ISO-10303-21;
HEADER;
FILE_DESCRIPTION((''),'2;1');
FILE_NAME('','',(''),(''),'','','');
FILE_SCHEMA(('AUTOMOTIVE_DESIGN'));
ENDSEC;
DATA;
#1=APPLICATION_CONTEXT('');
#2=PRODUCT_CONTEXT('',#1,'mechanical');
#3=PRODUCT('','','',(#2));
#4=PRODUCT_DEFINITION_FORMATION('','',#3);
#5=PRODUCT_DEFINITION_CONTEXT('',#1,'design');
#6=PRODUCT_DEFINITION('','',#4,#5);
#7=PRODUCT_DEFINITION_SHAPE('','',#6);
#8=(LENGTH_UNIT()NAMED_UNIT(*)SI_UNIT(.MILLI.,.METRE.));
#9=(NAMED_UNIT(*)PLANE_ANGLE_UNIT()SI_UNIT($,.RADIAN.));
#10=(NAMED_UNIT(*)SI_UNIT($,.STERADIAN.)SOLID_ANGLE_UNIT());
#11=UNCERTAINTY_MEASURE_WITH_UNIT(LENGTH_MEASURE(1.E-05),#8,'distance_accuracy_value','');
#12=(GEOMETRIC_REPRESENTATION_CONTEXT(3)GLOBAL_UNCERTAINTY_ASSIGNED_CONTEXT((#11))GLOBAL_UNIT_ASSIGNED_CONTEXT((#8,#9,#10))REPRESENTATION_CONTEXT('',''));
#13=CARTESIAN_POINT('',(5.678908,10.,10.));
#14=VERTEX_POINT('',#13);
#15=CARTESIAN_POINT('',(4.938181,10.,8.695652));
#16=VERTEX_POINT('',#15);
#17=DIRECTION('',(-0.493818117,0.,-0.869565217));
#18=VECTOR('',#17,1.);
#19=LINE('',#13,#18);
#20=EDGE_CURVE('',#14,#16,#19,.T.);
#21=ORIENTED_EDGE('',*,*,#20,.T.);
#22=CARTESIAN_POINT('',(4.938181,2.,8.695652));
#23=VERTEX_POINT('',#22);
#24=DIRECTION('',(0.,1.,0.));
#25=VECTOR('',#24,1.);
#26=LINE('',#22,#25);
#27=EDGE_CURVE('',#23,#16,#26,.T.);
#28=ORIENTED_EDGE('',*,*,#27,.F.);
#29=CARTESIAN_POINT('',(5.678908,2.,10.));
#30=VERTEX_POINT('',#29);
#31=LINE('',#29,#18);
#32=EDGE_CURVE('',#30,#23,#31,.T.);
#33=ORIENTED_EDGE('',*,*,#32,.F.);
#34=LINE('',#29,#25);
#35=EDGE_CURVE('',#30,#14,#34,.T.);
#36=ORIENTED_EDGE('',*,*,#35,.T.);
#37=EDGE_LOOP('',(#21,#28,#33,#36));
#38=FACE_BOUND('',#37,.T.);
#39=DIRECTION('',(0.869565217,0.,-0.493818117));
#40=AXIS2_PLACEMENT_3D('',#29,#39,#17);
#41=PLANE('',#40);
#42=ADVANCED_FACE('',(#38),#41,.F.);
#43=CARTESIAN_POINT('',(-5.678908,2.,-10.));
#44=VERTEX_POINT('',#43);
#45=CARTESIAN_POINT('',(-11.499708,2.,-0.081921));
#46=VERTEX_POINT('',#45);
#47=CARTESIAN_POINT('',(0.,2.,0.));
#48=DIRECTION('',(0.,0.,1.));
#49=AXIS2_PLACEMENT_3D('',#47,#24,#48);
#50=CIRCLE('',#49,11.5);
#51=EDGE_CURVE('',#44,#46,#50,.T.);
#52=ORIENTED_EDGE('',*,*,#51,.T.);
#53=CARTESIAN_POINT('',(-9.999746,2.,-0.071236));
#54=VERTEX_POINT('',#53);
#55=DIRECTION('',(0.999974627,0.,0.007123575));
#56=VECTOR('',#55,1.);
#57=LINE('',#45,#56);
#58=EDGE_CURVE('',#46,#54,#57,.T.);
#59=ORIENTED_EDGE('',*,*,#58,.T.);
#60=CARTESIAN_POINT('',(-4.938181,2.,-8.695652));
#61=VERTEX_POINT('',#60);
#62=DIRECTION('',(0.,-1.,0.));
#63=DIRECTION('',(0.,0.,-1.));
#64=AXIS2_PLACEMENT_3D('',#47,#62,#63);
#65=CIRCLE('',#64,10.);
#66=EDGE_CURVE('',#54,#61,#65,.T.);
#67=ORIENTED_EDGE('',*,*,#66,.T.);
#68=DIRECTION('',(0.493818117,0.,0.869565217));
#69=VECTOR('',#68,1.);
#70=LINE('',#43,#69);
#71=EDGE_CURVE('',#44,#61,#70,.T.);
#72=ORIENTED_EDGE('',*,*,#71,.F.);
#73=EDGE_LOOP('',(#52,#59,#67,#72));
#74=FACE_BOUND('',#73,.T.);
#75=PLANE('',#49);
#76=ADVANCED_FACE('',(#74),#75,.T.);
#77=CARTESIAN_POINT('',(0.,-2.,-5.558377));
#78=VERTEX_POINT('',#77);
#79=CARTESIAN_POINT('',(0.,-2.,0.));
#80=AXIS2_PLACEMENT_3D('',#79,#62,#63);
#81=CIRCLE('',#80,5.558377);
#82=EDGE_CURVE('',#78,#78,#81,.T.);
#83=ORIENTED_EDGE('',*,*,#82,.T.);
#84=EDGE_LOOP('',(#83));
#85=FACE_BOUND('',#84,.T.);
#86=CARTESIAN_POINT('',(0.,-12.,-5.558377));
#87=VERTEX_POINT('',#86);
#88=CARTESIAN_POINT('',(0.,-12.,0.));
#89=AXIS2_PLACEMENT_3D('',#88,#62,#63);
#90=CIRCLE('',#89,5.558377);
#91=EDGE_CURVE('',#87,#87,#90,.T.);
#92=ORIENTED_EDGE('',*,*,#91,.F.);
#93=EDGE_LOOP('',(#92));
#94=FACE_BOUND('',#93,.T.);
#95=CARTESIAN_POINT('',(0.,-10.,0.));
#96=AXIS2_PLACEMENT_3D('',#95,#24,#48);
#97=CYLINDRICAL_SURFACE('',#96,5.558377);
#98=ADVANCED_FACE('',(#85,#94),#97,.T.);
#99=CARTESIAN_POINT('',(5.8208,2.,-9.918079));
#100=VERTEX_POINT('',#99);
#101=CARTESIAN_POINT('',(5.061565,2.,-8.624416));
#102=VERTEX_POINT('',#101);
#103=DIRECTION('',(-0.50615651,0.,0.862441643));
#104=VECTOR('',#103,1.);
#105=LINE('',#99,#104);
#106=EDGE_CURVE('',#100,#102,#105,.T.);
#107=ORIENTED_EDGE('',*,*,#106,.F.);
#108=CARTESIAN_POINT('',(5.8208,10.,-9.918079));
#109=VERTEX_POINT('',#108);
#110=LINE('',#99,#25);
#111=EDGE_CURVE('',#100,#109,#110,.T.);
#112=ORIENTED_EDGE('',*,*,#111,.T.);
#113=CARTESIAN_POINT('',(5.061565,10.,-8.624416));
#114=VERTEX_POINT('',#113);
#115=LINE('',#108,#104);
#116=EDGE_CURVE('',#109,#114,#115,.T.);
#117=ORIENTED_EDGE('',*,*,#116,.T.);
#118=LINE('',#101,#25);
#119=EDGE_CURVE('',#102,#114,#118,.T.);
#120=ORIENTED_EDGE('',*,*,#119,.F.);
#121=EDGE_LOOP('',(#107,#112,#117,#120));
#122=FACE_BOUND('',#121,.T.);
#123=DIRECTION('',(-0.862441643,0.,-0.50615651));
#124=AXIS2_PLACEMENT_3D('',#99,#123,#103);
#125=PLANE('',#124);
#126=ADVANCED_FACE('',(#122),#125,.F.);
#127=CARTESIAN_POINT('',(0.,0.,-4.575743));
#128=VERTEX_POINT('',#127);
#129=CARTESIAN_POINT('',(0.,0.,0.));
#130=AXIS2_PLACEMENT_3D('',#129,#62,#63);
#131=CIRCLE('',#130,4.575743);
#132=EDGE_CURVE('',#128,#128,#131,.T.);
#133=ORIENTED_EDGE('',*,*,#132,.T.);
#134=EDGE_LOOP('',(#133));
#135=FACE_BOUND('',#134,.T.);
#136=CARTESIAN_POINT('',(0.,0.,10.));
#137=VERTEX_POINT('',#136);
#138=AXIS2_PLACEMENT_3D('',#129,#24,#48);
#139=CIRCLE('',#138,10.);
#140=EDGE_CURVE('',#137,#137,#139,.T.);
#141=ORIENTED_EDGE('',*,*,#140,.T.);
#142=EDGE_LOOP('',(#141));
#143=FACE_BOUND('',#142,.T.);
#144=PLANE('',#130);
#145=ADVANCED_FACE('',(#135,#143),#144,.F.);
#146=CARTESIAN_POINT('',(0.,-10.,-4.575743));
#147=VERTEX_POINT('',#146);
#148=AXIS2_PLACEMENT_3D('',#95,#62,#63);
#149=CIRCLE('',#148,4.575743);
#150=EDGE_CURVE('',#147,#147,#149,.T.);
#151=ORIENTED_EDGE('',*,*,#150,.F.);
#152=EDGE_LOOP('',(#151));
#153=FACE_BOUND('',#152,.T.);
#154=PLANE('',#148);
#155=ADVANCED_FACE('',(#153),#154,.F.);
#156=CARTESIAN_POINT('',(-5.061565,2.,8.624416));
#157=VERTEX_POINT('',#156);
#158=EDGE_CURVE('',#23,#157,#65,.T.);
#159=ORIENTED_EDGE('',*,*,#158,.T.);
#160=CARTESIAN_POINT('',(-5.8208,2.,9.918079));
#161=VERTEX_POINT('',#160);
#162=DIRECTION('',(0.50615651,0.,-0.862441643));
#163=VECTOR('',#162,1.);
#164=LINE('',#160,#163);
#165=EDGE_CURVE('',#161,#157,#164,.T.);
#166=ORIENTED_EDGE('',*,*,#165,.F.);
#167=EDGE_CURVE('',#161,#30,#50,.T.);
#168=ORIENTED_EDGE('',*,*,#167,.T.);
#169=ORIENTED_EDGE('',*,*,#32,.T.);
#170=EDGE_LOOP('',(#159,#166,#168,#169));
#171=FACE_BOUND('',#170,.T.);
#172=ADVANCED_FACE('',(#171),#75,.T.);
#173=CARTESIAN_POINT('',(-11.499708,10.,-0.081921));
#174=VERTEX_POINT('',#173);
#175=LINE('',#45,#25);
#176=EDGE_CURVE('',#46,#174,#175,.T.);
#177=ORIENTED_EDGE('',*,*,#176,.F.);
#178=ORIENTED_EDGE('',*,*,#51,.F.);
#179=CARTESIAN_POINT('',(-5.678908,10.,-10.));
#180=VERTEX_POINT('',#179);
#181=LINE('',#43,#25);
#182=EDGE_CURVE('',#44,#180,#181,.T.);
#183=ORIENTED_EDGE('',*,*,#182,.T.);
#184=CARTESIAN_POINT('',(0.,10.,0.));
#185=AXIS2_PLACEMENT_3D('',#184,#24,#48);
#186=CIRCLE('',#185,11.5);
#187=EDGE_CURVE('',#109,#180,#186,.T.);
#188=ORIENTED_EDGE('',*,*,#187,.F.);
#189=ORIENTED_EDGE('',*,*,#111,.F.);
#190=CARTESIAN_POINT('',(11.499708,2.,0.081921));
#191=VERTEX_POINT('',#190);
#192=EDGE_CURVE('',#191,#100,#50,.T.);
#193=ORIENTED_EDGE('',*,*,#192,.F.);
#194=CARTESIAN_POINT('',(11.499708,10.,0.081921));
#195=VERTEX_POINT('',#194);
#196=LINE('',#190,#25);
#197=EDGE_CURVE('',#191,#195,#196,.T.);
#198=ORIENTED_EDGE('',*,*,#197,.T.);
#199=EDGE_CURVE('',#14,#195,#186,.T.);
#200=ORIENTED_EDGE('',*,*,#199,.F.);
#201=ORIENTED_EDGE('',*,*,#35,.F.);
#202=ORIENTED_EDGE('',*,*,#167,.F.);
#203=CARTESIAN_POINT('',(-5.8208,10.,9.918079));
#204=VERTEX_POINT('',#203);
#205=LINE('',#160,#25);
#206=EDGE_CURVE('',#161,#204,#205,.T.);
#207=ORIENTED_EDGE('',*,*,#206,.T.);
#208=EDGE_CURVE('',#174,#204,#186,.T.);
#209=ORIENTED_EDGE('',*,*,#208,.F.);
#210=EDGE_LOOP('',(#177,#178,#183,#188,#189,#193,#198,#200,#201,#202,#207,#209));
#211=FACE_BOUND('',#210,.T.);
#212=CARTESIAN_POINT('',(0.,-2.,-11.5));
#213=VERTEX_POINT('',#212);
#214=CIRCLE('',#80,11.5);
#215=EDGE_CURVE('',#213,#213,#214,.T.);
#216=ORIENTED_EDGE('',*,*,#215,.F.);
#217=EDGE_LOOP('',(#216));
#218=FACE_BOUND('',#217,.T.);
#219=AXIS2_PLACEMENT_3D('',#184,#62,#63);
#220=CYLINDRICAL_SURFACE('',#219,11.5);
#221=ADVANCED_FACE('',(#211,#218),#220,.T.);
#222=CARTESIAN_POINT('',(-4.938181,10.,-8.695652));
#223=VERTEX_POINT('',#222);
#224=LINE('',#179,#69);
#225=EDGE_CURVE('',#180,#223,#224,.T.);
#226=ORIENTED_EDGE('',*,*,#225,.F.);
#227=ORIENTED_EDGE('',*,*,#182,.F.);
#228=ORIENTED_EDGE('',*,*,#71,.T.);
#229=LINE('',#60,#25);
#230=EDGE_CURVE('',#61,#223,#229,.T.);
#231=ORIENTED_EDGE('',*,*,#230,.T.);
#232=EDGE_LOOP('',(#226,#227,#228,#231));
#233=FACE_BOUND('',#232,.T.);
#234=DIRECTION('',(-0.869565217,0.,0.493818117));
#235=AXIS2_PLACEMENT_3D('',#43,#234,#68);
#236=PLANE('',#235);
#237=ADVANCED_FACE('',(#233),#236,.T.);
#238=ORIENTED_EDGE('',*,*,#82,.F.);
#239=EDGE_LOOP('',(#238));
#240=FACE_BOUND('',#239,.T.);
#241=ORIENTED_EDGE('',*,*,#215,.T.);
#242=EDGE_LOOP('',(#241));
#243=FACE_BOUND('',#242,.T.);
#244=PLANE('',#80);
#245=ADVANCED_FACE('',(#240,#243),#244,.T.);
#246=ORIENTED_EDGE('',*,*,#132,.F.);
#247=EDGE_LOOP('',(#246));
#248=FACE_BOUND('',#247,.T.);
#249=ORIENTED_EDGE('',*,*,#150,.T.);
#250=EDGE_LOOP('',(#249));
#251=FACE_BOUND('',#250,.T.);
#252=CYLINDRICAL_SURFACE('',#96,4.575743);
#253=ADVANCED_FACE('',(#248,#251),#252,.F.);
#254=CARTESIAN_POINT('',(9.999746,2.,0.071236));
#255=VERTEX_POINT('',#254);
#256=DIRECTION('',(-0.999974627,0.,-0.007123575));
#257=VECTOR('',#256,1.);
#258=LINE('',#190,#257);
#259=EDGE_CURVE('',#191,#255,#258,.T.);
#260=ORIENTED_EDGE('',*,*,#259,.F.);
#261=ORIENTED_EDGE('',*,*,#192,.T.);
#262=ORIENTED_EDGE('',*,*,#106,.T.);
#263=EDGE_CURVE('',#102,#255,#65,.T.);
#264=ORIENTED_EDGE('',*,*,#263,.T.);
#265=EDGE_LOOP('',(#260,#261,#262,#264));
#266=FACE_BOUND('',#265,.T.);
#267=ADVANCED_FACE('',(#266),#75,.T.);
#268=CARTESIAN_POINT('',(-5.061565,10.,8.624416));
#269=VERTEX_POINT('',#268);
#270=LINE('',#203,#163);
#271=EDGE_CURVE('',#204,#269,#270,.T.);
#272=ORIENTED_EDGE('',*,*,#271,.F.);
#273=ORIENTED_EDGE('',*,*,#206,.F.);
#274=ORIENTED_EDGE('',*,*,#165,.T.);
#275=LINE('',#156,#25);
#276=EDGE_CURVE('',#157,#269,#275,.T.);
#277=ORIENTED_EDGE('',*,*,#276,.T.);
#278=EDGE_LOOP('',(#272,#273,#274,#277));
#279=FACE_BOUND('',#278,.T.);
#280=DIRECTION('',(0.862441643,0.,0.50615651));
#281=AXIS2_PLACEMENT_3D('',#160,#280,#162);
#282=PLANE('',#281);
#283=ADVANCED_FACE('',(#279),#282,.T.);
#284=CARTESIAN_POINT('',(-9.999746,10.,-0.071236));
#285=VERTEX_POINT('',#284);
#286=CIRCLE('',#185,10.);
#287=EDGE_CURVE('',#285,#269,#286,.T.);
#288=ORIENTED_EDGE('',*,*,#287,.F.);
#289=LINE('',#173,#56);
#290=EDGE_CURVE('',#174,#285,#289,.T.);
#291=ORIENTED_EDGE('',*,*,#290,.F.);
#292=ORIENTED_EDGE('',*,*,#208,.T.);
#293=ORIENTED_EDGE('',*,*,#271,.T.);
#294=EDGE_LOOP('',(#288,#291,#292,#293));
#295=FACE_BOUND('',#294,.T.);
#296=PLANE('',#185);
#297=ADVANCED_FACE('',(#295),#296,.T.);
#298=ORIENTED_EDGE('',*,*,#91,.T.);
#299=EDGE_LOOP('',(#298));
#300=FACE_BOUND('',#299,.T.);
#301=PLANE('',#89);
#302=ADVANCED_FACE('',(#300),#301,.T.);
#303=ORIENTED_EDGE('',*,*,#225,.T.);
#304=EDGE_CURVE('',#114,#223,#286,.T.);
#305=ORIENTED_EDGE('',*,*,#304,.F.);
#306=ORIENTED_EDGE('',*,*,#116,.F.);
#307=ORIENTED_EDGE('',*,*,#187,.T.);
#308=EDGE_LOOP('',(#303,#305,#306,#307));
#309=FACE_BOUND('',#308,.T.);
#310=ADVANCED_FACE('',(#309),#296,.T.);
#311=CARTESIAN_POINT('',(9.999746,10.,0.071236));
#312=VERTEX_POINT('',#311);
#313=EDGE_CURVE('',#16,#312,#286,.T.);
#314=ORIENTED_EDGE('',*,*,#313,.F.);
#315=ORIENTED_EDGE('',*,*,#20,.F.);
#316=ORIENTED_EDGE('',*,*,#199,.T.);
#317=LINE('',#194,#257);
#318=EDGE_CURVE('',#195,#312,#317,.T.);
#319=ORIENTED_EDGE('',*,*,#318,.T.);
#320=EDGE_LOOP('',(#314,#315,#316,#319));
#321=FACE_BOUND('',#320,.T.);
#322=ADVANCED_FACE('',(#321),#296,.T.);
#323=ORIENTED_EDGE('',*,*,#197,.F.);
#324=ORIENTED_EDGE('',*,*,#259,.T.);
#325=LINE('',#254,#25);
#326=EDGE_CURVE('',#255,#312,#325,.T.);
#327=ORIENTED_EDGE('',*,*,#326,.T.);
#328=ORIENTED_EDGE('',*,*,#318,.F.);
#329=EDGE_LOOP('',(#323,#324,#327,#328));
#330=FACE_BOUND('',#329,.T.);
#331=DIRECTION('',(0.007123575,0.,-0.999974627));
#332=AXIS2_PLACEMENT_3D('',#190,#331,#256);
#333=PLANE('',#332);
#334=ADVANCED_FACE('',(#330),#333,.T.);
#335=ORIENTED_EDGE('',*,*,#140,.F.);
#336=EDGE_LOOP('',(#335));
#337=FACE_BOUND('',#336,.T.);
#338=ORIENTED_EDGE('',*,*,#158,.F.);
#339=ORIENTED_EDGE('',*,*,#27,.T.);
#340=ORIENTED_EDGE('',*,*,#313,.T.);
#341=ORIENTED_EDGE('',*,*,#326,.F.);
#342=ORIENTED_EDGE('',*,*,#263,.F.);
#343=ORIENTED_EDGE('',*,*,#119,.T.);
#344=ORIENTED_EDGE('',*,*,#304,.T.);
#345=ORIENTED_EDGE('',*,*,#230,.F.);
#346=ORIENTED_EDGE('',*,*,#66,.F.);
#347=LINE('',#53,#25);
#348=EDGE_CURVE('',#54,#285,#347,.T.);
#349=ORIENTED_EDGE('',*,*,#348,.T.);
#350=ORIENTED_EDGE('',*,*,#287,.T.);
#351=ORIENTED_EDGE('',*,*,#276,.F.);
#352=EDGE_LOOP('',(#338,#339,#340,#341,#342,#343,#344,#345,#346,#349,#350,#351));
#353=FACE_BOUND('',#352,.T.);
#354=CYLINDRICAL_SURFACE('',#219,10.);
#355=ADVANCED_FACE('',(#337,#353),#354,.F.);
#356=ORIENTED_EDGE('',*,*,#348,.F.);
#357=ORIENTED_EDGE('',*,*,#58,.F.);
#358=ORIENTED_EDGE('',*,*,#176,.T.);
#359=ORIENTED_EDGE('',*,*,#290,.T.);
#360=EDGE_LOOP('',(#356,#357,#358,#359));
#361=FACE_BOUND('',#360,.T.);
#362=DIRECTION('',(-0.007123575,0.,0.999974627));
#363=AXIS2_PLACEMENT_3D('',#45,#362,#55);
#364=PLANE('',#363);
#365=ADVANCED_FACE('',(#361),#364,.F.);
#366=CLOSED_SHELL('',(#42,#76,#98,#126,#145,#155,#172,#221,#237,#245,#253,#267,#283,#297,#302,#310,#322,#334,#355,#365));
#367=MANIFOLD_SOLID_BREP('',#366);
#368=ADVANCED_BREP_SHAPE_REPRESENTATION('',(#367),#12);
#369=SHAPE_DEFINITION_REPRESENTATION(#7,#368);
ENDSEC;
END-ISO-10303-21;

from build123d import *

# Parameters (mm, degrees)
SKETCH1_R           = 11.5
SKETCH1_R_2         = 10
BOSS_EXTRUDE1_DEPTH = 10
BOSS_EXTRUDE3_START = 2
SKETCH2_R           = 11.5
SKETCH2_R_2         = 5.558376586
BOSS_EXTRUDE3_DEPTH = 2
BOSS_EXTRUDE4_START = 10
SKETCH2_3_R         = 5.558376586
SKETCH2_3_R_2       = 4.575743436
BOSS_EXTRUDE4_DEPTH = 10
BOSS_EXTRUDE5_START = 2
SKETCH3_R           = 5.558376586
BOSS_EXTRUDE5_DEPTH = 2
CUT_EXTRUDE1_START  = -8
CUT_EXTRUDE1_DEPTH  = 8


with BuildPart() as part:
    # Sketch1 → Boss-Extrude1 (new body)
    with BuildSketch(Plane(origin=(0, 0, 0), x_dir=(1, 0, 0), z_dir=(0, 1, 0))):
        Circle(SKETCH1_R)
        Circle(SKETCH1_R_2, mode=Mode.SUBTRACT)
    extrude(amount=BOSS_EXTRUDE1_DEPTH)

    # Sketch2 → Boss-Extrude3 (add)
    with BuildSketch(Plane.XZ.offset(BOSS_EXTRUDE3_START)):
        Circle(SKETCH2_R)
        Circle(SKETCH2_R_2, mode=Mode.SUBTRACT)
    extrude(amount=-BOSS_EXTRUDE3_DEPTH)

    # Sketch2<3> → Boss-Extrude4 (add)
    with BuildSketch(Plane.XZ.offset(BOSS_EXTRUDE4_START)):
        Circle(SKETCH2_3_R)
        Circle(SKETCH2_3_R_2, mode=Mode.SUBTRACT)
    extrude(amount=-BOSS_EXTRUDE4_DEPTH)

    # Sketch3 → Boss-Extrude5 (add)
    with BuildSketch(Plane.XZ.offset(10).offset(BOSS_EXTRUDE5_START)):
        Circle(SKETCH3_R)
    extrude(amount=-BOSS_EXTRUDE5_DEPTH)

    # Sketch4 → Cut-Extrude1 (cut)
    with BuildSketch(Plane(origin=(0, 10, 0), x_dir=(1, 0, 0), z_dir=(0, 1, 0)).offset(CUT_EXTRUDE1_START)):
        with BuildLine():
            Line((-5.820799865, -9.918078893), (-5.0615651, -8.624416429))
            ThreePointArc((-5.0615651, -8.624416429), (-0.071235745, -9.99974627), (4.93818117, -8.695652174))
            Line((4.93818117, -8.695652174), (5.678908346, -10))
            ThreePointArc((5.678908346, -10), (-0.081921107, -11.499708211), (-5.820799865, -9.918078893))
        make_face()
        with BuildLine():
            Line((-5.678908346, 10), (-4.93818117, 8.695652174))
            ThreePointArc((-4.93818117, 8.695652174), (-8.624416429, 5.0615651), (-9.99974627, 0.071235745))
            Line((-9.99974627, 0.071235745), (-11.499708211, 0.081921107))
            ThreePointArc((-11.499708211, 0.081921107), (-9.918078893, 5.820799865), (-5.678908346, 10))
        make_face()
        with BuildLine():
            Line((11.499708211, -0.081921107), (9.99974627, -0.071235745))
            ThreePointArc((9.99974627, -0.071235745), (8.695652174, 4.93818117), (5.0615651, 8.624416429))
            Line((5.0615651, 8.624416429), (5.820799865, 9.918078893))
            ThreePointArc((5.820799865, 9.918078893), (10, 5.678908346), (11.499708211, -0.081921107))
        make_face()
    extrude(amount=CUT_EXTRUDE1_DEPTH, mode=Mode.SUBTRACT)


solid = part.part
